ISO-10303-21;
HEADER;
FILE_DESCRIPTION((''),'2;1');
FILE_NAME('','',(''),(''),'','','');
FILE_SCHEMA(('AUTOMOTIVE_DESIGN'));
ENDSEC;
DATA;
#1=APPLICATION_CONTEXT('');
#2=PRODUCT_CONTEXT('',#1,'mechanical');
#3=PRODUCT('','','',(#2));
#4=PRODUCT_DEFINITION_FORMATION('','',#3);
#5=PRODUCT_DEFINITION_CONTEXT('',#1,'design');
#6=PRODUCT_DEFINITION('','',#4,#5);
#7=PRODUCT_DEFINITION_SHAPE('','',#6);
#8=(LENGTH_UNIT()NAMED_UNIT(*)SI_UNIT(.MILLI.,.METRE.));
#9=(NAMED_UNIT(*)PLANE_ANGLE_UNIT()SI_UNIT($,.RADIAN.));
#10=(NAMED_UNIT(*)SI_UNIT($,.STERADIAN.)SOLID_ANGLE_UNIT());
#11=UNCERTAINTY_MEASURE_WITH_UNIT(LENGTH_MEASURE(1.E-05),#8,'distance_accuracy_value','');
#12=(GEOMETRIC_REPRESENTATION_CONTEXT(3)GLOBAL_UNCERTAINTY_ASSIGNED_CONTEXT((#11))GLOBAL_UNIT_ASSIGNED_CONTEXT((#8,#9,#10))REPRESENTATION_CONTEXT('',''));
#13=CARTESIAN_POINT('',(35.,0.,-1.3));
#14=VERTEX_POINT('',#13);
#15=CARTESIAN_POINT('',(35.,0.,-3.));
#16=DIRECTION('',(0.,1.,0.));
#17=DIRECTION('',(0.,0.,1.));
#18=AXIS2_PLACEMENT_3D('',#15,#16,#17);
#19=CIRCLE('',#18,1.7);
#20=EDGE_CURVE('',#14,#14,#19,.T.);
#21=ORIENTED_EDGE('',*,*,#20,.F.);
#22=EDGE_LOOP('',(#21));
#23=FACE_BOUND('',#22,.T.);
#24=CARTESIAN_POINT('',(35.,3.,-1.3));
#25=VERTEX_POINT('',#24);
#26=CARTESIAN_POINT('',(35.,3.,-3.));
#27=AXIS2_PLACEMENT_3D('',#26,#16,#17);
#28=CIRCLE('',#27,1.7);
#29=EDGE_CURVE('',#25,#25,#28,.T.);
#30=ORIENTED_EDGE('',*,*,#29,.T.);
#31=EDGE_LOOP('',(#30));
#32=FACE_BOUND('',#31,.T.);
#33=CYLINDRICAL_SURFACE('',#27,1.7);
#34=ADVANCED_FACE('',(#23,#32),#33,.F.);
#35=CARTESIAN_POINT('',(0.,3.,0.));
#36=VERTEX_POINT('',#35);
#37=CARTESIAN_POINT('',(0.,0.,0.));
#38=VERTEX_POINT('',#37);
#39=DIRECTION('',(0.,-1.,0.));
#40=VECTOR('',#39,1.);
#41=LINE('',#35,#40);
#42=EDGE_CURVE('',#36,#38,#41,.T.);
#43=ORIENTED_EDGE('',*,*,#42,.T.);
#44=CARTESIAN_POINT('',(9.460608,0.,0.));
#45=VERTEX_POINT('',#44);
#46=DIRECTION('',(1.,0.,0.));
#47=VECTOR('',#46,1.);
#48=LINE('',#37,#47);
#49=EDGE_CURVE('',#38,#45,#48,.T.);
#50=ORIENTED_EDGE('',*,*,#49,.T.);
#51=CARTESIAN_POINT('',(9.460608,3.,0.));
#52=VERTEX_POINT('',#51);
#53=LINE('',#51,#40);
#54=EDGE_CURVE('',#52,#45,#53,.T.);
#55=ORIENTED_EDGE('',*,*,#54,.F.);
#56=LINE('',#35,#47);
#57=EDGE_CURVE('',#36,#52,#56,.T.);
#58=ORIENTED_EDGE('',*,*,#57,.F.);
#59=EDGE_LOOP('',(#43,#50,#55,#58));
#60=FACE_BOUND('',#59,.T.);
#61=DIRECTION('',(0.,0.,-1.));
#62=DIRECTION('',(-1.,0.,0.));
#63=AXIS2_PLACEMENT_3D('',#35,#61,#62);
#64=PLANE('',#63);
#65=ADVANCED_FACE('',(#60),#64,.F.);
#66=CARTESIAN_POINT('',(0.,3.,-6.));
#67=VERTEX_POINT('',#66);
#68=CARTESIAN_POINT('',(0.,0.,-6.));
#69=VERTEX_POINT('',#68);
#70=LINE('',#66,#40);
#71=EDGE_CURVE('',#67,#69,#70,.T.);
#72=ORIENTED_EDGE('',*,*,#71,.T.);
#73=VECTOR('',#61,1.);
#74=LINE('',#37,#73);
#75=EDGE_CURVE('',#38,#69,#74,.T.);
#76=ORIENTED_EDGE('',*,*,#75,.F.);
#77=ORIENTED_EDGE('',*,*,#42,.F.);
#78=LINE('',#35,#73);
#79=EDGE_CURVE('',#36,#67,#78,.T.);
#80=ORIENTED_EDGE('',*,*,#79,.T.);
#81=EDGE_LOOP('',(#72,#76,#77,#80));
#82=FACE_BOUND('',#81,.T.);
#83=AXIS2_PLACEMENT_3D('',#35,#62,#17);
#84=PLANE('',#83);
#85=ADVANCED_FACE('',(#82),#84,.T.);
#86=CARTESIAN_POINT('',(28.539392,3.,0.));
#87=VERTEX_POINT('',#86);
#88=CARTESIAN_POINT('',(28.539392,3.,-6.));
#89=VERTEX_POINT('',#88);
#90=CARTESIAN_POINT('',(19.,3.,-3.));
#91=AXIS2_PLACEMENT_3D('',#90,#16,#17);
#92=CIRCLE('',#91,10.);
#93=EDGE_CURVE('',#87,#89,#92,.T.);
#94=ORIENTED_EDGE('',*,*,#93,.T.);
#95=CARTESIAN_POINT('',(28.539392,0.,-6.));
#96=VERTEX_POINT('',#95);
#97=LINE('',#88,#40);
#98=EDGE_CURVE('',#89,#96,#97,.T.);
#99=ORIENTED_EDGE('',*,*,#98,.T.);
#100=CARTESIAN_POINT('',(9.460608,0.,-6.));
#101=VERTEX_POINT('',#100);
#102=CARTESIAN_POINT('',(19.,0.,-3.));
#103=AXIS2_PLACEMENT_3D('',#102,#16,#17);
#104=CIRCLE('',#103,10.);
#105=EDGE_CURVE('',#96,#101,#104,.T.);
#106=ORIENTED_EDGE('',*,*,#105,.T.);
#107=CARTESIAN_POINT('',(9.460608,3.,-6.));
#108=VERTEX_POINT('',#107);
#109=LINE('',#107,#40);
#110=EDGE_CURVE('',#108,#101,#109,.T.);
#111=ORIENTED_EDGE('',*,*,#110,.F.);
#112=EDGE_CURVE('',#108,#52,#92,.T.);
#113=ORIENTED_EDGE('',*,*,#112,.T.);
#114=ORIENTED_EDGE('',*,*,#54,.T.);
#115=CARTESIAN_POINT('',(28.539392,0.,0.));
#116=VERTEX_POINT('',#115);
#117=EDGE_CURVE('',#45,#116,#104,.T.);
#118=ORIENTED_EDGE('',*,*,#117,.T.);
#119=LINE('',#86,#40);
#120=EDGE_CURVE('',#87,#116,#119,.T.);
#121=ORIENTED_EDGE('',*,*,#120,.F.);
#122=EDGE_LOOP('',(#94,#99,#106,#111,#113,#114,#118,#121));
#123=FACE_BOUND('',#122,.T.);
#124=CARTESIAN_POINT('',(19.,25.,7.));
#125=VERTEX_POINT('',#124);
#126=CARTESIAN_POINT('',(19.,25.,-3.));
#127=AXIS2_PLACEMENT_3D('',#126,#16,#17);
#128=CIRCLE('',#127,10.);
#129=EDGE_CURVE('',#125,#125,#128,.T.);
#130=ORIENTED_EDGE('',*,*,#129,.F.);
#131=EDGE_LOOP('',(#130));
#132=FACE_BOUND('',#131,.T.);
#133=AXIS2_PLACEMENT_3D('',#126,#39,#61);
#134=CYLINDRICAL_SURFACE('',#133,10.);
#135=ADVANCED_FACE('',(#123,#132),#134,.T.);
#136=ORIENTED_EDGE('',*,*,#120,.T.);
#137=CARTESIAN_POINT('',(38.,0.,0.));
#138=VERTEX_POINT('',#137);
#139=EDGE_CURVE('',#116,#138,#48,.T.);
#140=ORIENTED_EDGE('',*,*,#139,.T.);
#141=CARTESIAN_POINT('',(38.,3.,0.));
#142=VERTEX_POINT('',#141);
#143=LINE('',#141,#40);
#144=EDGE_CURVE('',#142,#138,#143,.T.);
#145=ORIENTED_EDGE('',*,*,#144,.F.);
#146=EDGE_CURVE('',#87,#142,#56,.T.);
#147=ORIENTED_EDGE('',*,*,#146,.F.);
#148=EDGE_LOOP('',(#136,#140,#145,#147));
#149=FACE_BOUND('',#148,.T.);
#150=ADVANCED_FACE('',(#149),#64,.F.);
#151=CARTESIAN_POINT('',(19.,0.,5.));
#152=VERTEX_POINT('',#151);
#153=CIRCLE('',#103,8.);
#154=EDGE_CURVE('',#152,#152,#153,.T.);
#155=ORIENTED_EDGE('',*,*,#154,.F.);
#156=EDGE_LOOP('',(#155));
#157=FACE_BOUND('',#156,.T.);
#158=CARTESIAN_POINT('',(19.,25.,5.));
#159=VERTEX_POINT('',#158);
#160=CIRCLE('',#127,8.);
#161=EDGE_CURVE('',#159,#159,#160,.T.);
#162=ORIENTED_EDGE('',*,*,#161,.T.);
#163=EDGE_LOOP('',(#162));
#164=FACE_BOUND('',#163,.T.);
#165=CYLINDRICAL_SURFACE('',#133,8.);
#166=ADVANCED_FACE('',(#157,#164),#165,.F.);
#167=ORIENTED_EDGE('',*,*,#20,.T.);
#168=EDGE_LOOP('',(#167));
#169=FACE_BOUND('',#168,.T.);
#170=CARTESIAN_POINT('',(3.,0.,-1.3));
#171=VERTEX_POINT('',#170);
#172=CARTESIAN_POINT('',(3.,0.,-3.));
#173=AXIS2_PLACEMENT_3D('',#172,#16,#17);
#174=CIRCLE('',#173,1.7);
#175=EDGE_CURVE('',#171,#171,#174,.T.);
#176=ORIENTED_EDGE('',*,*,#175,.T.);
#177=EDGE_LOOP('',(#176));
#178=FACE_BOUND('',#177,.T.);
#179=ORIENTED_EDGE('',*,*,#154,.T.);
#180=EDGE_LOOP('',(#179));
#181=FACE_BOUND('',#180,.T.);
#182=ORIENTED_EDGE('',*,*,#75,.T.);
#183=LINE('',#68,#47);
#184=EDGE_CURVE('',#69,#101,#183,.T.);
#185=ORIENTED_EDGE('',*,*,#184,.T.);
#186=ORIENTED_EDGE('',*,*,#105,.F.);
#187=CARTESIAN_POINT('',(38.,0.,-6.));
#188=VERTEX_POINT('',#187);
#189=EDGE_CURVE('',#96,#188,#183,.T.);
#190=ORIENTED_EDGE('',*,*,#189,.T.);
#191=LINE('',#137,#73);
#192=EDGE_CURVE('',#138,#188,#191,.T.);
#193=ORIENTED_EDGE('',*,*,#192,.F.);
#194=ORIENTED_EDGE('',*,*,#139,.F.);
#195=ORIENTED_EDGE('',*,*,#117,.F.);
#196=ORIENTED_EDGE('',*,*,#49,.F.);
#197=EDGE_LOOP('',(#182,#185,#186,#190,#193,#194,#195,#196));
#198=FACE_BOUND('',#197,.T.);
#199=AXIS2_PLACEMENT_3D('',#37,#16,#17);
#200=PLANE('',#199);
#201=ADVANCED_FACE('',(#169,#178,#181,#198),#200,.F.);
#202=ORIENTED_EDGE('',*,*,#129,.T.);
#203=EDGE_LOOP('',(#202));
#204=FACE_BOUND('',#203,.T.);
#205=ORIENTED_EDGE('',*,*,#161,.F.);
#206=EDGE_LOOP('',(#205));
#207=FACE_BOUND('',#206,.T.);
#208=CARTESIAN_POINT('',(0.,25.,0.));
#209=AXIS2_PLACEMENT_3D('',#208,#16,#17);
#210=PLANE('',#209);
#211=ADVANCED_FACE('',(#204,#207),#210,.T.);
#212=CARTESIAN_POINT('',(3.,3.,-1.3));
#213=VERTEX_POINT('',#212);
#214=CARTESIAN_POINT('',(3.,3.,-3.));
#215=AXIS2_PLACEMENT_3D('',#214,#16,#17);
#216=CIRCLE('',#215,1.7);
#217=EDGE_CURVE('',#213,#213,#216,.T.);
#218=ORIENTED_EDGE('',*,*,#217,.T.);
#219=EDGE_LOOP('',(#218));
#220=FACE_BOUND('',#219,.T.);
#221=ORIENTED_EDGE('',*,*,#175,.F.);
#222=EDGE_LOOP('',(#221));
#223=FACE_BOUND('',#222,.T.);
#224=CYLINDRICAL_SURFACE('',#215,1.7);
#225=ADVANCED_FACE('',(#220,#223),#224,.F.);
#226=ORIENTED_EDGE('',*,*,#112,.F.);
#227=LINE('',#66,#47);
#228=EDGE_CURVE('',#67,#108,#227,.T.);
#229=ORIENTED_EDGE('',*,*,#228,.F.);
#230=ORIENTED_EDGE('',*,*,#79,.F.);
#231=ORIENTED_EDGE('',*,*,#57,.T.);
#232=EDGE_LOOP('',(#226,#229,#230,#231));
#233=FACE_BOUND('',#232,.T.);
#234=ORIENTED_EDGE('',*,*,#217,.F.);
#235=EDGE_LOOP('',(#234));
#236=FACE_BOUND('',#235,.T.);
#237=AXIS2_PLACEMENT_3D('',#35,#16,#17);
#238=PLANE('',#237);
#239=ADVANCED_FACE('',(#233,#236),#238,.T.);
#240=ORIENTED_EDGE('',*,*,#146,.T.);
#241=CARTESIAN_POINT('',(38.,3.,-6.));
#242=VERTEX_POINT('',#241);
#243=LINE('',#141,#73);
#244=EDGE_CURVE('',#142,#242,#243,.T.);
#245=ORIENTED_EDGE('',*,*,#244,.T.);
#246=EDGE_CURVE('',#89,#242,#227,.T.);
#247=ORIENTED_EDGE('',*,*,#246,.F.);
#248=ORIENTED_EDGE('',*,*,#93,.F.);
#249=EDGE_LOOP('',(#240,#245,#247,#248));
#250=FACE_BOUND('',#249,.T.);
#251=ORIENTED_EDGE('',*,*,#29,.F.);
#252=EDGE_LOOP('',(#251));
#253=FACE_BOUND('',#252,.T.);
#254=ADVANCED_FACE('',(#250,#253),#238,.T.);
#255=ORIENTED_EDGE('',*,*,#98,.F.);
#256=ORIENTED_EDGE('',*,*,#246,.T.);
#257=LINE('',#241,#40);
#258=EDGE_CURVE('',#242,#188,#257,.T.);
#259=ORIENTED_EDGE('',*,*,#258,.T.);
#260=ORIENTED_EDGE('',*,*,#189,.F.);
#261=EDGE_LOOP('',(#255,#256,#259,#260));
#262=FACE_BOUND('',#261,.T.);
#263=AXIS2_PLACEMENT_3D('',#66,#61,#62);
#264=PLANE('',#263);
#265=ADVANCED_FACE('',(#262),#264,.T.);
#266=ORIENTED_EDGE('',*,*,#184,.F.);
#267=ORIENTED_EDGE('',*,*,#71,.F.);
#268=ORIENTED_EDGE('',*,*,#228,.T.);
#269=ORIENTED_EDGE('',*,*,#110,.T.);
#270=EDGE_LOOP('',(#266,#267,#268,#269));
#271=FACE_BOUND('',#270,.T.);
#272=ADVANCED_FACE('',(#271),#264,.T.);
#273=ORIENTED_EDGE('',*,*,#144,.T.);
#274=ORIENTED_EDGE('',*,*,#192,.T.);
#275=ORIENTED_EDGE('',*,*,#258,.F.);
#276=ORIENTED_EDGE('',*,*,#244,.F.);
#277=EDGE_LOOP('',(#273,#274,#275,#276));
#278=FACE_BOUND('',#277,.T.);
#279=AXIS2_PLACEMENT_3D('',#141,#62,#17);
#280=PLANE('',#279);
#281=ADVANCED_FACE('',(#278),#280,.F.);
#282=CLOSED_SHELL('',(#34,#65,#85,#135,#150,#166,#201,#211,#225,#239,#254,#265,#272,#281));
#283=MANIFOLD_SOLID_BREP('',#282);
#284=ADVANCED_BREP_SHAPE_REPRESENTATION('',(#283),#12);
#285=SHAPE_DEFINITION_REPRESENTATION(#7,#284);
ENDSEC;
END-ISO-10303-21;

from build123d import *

# Parameters (mm, degrees)
BOSS_EXTRUDE1_DEPTH   = 3
BOSS_EXTRUDE1_2_DEPTH = 3
SKETCH1_3_R           = 8
BOSS_EXTRUDE2_DEPTH   = 25
M3_CLEARANCE_HOLE1_D  = 3.4


with BuildPart() as part:
    # Sketch1 → Boss-Extrude1 (new body)
    with BuildSketch(Plane(origin=(0, 0, 0), x_dir=(1, 0, 0), z_dir=(0, 1, 0))):
        with BuildLine():
            ThreePointArc((28.539392014, 6), (29, 3), (28.539392014, 0))
            Line((28.539392014, 0), (38, 0))
            Line((38, 0), (38, 6))
            Line((38, 6), (28.539392014, 6))
        make_face()
    extrude(amount=BOSS_EXTRUDE1_DEPTH)



with BuildPart() as body_2:
    # Sketch1 → Boss-Extrude1 2 (new body)
    with BuildSketch(Plane(origin=(0, 0, 0), x_dir=(1, 0, 0), z_dir=(0, 1, 0))):
        with BuildLine():
            Line((0, 0), (9.460607986, 0))
            ThreePointArc((9.460607986, 0), (9, 3), (9.460607986, 6))
            Line((9.460607986, 6), (0, 6))
            Line((0, 6), (0, 0))
        make_face()
    extrude(amount=BOSS_EXTRUDE1_2_DEPTH)


with BuildPart() as part_1:
    add(part.part)

    add(body_2.part)  # Boss-Extrude2 merges body 2
    # Sketch1<3> → Boss-Extrude2 (add)
    with BuildSketch(Plane(origin=(0, 0, 0), x_dir=(1, 0, 0), z_dir=(0, 1, 0))):
        with BuildLine():
            ThreePointArc((9.460607986, 0), (19, -7), (28.539392014, 0))
            ThreePointArc((28.539392014, 0), (28.884177258, 1.482423007), (29, 3))
            ThreePointArc((29, 3), (28.884177258, 4.517576993), (28.539392014, 6))
            ThreePointArc((28.539392014, 6), (19, 13), (9.460607986, 6))
            ThreePointArc((9.460607986, 6), (9, 3), (9.460607986, 0))
        make_face()
        with Locations((19, 3)):
            Circle(SKETCH1_3_R, mode=Mode.SUBTRACT)
    extrude(amount=BOSS_EXTRUDE2_DEPTH)

    # M3 Clearance Hole1 (through all)
    with Locations(Plane(origin=(0, 3, 0), x_dir=(1, 0, 0), z_dir=(0, 1, 0))):
        with Locations((3, 3), (35, 3)):
            Hole(M3_CLEARANCE_HOLE1_D / 2)


solid = part_1.part
